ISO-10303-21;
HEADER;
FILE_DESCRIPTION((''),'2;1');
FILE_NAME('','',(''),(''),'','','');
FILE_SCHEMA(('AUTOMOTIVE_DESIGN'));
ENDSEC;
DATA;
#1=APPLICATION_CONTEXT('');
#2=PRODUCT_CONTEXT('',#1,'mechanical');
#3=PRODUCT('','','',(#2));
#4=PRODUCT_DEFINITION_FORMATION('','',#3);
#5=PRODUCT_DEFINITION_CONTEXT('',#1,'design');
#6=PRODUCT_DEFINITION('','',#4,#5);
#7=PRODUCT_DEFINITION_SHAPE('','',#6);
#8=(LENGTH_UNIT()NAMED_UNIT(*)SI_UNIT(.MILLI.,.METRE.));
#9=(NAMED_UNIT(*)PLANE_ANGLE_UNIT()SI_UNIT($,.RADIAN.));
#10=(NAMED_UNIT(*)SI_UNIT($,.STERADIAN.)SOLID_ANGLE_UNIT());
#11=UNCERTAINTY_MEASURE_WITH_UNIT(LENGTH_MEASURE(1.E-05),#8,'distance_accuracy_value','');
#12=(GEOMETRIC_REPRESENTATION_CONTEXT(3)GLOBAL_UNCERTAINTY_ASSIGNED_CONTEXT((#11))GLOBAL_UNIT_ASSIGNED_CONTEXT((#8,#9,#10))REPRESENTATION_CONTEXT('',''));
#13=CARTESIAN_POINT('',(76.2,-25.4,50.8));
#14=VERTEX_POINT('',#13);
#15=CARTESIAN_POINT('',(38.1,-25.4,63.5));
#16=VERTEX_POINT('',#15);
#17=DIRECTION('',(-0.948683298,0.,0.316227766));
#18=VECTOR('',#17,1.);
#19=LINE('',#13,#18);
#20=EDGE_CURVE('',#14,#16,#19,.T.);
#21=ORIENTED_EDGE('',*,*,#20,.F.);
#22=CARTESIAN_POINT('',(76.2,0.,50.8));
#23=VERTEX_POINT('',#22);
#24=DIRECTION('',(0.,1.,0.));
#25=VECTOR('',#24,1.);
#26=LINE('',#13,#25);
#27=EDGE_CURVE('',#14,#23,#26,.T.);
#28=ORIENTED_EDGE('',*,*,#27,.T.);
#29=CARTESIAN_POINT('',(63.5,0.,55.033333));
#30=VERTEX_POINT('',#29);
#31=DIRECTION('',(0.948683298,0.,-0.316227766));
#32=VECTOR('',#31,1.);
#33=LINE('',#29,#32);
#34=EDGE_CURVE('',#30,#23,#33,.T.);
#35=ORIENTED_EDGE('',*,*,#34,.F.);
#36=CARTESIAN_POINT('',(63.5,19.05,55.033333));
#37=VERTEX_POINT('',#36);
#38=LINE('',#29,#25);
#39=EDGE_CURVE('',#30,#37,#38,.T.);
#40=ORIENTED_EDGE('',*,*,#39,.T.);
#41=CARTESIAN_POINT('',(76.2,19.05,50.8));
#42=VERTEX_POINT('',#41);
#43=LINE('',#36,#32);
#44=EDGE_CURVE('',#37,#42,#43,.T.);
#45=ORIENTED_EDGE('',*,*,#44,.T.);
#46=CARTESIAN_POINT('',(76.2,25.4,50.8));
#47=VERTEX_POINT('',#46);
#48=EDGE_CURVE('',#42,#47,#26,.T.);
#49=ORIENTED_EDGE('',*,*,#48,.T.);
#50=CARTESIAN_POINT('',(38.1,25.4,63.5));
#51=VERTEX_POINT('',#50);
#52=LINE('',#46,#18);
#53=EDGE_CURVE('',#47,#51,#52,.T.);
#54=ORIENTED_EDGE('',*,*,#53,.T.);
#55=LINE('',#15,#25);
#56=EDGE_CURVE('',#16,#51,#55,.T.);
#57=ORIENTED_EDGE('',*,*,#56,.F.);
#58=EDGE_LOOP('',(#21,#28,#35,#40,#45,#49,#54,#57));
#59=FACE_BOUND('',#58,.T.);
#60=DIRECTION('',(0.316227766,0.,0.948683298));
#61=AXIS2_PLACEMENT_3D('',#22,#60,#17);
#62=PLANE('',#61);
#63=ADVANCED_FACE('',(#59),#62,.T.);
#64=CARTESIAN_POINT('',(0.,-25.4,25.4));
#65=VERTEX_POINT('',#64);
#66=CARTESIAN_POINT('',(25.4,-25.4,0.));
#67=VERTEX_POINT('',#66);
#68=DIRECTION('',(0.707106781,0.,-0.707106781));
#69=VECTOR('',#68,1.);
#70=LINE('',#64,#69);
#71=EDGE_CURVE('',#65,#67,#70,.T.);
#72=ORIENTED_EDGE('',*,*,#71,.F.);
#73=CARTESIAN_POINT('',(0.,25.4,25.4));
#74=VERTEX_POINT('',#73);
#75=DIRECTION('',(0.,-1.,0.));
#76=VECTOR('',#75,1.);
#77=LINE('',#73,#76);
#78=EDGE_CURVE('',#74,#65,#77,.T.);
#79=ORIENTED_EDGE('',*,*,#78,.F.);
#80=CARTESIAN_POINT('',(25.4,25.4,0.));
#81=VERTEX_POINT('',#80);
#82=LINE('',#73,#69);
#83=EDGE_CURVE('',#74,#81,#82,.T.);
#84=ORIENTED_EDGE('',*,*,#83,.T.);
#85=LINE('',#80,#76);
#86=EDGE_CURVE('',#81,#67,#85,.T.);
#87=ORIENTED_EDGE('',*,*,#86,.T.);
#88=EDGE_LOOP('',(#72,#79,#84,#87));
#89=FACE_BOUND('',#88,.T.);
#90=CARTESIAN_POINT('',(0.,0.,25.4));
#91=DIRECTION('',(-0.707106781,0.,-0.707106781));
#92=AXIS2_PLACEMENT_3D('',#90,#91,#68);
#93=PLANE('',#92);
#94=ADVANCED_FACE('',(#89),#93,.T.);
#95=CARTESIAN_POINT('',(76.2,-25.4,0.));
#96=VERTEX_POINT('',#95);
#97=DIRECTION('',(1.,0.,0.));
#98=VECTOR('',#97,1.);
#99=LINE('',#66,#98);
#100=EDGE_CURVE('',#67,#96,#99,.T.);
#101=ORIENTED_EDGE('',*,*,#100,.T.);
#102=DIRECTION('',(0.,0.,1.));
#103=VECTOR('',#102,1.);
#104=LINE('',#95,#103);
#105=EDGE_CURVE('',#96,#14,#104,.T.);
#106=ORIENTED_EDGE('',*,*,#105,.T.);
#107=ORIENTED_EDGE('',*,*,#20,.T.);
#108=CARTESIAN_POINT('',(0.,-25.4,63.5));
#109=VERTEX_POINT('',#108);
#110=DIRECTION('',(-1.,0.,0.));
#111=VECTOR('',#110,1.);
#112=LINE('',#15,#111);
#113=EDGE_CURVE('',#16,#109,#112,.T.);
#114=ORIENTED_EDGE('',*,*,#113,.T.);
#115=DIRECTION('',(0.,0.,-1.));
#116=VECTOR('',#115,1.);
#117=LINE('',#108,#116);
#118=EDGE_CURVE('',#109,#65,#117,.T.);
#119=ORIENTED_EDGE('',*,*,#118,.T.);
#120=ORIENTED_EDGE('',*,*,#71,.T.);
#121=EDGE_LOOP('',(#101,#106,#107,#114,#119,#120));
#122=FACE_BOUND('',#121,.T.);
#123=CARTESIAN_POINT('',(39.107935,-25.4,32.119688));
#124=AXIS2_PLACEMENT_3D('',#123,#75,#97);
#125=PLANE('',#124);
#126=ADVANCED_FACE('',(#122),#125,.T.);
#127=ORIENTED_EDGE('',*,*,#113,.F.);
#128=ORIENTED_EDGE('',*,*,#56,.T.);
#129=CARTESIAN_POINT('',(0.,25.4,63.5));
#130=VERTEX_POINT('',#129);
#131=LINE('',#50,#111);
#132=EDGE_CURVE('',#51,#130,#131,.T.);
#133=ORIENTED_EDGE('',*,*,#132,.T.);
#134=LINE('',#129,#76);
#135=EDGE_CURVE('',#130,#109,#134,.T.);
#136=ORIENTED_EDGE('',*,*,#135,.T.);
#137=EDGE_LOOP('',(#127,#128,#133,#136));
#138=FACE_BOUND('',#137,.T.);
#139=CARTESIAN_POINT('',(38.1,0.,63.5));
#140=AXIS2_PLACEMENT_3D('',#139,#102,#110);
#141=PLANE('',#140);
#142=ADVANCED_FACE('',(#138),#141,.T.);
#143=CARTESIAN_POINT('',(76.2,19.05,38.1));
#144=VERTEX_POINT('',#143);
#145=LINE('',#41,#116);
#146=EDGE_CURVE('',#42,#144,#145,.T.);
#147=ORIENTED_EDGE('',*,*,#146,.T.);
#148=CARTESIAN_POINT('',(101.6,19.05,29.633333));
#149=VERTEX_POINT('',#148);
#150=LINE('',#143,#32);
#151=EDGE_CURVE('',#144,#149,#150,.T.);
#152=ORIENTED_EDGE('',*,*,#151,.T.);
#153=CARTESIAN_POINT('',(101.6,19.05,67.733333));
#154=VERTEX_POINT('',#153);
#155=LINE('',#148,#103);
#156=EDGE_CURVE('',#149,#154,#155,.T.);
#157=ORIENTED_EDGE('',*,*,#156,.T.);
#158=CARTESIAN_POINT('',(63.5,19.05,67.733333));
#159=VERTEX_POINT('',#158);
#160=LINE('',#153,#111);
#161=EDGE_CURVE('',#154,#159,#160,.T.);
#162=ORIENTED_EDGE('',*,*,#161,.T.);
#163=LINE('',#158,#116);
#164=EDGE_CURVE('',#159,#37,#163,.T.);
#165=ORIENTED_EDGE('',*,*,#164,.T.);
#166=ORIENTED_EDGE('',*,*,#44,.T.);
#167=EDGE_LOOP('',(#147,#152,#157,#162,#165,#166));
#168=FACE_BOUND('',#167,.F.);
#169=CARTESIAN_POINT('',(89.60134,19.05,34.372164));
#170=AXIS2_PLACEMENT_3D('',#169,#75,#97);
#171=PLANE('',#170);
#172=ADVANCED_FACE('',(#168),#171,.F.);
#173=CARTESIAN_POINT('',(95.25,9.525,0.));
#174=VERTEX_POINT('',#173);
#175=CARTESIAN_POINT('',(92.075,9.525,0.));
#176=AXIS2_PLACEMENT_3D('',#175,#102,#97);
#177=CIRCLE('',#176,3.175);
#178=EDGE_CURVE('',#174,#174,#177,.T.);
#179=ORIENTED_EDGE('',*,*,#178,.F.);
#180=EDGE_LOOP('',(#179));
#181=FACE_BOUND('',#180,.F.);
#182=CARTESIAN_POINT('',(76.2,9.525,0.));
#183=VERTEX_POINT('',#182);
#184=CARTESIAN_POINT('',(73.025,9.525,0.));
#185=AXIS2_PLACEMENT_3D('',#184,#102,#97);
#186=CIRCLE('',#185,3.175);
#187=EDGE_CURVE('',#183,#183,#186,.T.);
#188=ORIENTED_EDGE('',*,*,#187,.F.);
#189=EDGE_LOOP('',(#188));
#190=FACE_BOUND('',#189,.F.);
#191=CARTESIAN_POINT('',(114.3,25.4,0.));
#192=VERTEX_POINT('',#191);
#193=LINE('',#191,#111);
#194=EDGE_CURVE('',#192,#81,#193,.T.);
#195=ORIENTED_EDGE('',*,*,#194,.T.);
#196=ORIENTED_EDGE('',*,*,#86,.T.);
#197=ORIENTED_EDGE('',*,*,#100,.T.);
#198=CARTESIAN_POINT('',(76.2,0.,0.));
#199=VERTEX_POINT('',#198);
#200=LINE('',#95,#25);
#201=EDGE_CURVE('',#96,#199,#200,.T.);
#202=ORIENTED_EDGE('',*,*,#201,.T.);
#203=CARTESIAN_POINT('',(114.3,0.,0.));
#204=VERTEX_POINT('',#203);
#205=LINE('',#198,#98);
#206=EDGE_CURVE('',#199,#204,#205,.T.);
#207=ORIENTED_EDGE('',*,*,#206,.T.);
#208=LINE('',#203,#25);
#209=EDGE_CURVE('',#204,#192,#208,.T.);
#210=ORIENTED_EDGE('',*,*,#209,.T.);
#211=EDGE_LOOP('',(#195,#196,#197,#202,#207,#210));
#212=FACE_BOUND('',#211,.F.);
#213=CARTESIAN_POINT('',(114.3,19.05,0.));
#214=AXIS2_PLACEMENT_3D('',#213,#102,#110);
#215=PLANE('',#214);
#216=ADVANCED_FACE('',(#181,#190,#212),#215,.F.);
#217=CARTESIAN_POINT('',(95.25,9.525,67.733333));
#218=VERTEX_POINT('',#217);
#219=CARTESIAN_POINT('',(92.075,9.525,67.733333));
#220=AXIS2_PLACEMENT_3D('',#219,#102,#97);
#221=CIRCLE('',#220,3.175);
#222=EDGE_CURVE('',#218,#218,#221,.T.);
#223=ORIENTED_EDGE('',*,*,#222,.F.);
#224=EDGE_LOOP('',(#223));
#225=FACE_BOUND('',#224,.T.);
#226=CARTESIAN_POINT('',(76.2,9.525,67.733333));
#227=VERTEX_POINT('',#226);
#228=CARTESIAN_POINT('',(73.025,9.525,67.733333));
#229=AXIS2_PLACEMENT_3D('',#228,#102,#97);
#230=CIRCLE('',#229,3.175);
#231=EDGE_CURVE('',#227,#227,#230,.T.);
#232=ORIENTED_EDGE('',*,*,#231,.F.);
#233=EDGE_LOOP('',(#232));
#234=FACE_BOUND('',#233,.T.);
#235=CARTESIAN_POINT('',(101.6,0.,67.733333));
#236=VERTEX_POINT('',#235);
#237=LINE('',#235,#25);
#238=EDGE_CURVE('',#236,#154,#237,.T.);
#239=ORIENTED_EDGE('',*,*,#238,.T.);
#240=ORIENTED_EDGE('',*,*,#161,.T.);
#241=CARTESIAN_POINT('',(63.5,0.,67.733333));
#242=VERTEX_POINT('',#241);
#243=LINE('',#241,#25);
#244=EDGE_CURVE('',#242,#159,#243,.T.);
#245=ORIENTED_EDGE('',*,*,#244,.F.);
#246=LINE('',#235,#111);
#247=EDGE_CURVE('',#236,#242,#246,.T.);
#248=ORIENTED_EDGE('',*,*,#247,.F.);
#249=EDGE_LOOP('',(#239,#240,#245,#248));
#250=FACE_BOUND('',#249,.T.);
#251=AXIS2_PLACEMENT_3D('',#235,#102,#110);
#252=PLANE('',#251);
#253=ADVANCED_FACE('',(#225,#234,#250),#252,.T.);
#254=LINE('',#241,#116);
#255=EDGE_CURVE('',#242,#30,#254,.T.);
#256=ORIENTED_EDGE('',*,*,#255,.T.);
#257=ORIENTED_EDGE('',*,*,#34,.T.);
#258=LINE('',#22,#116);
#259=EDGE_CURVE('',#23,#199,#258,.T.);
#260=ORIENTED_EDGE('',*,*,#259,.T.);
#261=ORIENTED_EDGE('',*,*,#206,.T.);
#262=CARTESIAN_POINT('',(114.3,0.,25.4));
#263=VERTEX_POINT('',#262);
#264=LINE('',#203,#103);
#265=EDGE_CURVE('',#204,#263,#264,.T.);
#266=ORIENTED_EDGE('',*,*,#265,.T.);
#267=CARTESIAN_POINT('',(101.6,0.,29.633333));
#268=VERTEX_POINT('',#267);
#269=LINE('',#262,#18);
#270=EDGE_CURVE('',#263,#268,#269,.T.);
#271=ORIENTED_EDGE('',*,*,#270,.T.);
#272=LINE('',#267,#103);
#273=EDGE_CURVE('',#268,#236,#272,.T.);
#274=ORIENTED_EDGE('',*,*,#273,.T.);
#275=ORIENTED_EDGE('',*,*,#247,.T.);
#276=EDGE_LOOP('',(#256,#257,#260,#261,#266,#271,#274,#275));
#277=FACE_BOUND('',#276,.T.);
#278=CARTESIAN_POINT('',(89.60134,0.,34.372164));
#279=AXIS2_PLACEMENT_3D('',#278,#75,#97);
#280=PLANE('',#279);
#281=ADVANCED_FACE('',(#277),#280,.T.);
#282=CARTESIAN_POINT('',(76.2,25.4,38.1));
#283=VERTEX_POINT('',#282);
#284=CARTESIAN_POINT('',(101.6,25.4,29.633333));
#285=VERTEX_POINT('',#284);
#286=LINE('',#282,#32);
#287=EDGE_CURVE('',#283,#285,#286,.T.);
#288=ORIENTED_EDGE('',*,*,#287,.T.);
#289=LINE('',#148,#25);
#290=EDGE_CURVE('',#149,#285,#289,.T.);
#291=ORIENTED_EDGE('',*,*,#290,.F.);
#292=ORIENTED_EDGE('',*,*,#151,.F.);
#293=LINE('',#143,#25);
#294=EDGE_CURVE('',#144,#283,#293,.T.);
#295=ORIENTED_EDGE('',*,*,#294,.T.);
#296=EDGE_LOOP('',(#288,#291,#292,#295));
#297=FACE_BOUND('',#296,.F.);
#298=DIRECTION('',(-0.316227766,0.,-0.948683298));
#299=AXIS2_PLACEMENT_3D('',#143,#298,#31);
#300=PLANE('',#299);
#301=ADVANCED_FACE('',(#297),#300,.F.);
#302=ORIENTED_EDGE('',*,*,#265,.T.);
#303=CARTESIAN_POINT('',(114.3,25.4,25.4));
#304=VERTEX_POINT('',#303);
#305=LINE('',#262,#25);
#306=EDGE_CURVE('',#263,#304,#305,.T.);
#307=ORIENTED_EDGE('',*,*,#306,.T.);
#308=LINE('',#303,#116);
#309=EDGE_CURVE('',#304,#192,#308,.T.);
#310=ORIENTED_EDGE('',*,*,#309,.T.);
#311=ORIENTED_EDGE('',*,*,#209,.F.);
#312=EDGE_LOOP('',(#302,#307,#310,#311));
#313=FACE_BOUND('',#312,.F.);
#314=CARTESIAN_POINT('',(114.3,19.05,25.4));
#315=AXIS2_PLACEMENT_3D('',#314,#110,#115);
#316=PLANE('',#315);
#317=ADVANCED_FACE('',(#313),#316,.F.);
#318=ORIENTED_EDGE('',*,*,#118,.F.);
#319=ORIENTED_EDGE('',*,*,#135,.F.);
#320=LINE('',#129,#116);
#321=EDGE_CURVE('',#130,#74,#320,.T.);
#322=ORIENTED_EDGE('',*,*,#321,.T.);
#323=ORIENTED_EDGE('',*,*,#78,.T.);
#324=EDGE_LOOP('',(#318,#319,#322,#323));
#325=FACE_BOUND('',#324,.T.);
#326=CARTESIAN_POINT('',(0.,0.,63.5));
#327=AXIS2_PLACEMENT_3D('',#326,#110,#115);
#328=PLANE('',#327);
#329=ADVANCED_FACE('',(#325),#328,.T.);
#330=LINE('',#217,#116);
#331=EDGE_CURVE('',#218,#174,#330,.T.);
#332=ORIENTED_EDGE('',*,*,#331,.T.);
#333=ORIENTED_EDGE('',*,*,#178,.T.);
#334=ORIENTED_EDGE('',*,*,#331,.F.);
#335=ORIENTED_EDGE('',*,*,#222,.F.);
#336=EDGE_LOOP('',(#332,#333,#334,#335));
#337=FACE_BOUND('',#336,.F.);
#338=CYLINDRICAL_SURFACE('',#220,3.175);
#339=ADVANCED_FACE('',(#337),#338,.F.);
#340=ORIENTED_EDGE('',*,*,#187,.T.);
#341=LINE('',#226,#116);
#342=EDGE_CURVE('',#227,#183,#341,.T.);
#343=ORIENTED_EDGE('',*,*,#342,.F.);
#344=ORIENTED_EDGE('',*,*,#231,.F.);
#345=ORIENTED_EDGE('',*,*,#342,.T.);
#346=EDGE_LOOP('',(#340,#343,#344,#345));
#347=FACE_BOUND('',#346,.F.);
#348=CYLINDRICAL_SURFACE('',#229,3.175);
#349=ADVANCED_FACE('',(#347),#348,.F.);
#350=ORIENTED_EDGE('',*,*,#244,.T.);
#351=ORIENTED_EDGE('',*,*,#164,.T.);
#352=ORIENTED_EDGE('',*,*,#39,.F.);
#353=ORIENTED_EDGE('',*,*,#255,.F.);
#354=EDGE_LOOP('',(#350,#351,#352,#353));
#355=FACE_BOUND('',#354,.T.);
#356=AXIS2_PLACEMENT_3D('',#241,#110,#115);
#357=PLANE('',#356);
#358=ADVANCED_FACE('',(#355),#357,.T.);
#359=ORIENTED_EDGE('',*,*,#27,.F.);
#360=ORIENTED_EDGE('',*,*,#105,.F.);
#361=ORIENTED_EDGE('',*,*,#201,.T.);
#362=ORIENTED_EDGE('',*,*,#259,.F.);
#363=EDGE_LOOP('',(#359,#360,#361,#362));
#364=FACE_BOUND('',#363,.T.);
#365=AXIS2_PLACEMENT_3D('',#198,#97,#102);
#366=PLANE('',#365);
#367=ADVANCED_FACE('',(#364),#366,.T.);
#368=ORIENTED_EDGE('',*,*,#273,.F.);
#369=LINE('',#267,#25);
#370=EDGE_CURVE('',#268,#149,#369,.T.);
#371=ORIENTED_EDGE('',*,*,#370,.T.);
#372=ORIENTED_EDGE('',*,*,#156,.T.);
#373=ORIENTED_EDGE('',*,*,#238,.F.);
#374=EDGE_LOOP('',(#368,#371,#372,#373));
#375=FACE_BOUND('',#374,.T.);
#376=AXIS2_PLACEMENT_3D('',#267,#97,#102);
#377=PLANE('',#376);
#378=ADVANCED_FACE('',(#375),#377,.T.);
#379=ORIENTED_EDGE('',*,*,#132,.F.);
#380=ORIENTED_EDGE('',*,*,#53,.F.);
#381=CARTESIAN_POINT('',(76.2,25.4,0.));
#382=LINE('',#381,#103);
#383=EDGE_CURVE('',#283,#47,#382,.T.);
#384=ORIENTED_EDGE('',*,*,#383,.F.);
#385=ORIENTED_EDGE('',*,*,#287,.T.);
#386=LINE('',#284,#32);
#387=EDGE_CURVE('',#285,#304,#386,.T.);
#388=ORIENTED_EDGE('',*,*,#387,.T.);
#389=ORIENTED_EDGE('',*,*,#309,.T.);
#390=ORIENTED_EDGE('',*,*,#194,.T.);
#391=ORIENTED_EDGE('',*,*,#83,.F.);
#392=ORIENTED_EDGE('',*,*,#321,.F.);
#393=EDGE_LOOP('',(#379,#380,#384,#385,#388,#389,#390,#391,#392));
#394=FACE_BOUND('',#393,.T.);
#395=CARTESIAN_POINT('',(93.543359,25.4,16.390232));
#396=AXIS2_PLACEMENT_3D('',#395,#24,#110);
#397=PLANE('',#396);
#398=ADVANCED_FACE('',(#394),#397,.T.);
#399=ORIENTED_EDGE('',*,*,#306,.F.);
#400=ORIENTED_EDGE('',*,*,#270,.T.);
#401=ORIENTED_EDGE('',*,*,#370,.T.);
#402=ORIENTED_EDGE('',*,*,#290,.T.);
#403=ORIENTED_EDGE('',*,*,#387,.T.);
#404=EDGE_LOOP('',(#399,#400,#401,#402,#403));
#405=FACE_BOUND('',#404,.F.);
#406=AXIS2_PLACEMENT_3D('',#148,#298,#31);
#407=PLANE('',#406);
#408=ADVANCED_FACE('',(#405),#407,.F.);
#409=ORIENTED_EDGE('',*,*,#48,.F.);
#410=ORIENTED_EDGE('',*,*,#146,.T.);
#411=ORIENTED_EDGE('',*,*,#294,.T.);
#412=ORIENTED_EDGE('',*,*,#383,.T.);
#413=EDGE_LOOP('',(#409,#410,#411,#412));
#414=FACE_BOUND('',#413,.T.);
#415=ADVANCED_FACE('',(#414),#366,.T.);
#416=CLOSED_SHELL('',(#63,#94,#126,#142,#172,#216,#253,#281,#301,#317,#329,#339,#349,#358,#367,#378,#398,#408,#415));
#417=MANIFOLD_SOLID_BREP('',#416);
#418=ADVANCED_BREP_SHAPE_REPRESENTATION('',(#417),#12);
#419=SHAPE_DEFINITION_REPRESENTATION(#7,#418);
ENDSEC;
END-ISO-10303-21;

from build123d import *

# Parameters (mm, degrees)
F1_DEPTH = 25.4
F3_DEPTH = 19.05
F5_DEPTH = 6.35
F6_R     = 3.175
F7_DEPTH = 67.7343333333


with BuildPart() as f1:
    # F0 (on Front) → F1 (new body, symmetric)
    with BuildSketch(Plane.XZ):
        Polygon((38.1, 63.5), (0, 63.5), (0, 25.4), (25.4, 0), (76.2, 0), (76.2, 50.8), align=None)
    extrude(amount=F1_DEPTH, both=True)

    # F2 (on Front) → F3 (join)
    with BuildSketch(Plane.XZ):
        Polygon((63.5, 67.7333333333), (63.5, 55.0333333333), (76.2, 50.8), (76.2, 0), (114.3, 0), (114.3, 25.4), (101.6, 29.6333333333), (101.6, 67.7333333333), align=None)
    extrude(amount=-F3_DEPTH)

    # F4 (on face) → F5 (join)
    with BuildSketch(Plane(origin=(0, 19.05, 0), x_dir=(-1, 0, 0), z_dir=(0, 1, 0))):
        Polygon((-101.6, 29.6333333333), (-114.3, 25.4), (-114.3, 0), (-76.2, 0), (-76.2, 38.1), align=None)
    extrude(amount=F5_DEPTH)

    # F6 (on face) → F7 (cut, through all)
    with BuildSketch(Plane.XY.offset(67.7333333333)):
        with Locations((73.025, 9.525)):
            Circle(F6_R)
        with Locations((92.075, 9.525)):
            Circle(F6_R)
    extrude(amount=-F7_DEPTH, mode=Mode.SUBTRACT)


solid = f1.part
